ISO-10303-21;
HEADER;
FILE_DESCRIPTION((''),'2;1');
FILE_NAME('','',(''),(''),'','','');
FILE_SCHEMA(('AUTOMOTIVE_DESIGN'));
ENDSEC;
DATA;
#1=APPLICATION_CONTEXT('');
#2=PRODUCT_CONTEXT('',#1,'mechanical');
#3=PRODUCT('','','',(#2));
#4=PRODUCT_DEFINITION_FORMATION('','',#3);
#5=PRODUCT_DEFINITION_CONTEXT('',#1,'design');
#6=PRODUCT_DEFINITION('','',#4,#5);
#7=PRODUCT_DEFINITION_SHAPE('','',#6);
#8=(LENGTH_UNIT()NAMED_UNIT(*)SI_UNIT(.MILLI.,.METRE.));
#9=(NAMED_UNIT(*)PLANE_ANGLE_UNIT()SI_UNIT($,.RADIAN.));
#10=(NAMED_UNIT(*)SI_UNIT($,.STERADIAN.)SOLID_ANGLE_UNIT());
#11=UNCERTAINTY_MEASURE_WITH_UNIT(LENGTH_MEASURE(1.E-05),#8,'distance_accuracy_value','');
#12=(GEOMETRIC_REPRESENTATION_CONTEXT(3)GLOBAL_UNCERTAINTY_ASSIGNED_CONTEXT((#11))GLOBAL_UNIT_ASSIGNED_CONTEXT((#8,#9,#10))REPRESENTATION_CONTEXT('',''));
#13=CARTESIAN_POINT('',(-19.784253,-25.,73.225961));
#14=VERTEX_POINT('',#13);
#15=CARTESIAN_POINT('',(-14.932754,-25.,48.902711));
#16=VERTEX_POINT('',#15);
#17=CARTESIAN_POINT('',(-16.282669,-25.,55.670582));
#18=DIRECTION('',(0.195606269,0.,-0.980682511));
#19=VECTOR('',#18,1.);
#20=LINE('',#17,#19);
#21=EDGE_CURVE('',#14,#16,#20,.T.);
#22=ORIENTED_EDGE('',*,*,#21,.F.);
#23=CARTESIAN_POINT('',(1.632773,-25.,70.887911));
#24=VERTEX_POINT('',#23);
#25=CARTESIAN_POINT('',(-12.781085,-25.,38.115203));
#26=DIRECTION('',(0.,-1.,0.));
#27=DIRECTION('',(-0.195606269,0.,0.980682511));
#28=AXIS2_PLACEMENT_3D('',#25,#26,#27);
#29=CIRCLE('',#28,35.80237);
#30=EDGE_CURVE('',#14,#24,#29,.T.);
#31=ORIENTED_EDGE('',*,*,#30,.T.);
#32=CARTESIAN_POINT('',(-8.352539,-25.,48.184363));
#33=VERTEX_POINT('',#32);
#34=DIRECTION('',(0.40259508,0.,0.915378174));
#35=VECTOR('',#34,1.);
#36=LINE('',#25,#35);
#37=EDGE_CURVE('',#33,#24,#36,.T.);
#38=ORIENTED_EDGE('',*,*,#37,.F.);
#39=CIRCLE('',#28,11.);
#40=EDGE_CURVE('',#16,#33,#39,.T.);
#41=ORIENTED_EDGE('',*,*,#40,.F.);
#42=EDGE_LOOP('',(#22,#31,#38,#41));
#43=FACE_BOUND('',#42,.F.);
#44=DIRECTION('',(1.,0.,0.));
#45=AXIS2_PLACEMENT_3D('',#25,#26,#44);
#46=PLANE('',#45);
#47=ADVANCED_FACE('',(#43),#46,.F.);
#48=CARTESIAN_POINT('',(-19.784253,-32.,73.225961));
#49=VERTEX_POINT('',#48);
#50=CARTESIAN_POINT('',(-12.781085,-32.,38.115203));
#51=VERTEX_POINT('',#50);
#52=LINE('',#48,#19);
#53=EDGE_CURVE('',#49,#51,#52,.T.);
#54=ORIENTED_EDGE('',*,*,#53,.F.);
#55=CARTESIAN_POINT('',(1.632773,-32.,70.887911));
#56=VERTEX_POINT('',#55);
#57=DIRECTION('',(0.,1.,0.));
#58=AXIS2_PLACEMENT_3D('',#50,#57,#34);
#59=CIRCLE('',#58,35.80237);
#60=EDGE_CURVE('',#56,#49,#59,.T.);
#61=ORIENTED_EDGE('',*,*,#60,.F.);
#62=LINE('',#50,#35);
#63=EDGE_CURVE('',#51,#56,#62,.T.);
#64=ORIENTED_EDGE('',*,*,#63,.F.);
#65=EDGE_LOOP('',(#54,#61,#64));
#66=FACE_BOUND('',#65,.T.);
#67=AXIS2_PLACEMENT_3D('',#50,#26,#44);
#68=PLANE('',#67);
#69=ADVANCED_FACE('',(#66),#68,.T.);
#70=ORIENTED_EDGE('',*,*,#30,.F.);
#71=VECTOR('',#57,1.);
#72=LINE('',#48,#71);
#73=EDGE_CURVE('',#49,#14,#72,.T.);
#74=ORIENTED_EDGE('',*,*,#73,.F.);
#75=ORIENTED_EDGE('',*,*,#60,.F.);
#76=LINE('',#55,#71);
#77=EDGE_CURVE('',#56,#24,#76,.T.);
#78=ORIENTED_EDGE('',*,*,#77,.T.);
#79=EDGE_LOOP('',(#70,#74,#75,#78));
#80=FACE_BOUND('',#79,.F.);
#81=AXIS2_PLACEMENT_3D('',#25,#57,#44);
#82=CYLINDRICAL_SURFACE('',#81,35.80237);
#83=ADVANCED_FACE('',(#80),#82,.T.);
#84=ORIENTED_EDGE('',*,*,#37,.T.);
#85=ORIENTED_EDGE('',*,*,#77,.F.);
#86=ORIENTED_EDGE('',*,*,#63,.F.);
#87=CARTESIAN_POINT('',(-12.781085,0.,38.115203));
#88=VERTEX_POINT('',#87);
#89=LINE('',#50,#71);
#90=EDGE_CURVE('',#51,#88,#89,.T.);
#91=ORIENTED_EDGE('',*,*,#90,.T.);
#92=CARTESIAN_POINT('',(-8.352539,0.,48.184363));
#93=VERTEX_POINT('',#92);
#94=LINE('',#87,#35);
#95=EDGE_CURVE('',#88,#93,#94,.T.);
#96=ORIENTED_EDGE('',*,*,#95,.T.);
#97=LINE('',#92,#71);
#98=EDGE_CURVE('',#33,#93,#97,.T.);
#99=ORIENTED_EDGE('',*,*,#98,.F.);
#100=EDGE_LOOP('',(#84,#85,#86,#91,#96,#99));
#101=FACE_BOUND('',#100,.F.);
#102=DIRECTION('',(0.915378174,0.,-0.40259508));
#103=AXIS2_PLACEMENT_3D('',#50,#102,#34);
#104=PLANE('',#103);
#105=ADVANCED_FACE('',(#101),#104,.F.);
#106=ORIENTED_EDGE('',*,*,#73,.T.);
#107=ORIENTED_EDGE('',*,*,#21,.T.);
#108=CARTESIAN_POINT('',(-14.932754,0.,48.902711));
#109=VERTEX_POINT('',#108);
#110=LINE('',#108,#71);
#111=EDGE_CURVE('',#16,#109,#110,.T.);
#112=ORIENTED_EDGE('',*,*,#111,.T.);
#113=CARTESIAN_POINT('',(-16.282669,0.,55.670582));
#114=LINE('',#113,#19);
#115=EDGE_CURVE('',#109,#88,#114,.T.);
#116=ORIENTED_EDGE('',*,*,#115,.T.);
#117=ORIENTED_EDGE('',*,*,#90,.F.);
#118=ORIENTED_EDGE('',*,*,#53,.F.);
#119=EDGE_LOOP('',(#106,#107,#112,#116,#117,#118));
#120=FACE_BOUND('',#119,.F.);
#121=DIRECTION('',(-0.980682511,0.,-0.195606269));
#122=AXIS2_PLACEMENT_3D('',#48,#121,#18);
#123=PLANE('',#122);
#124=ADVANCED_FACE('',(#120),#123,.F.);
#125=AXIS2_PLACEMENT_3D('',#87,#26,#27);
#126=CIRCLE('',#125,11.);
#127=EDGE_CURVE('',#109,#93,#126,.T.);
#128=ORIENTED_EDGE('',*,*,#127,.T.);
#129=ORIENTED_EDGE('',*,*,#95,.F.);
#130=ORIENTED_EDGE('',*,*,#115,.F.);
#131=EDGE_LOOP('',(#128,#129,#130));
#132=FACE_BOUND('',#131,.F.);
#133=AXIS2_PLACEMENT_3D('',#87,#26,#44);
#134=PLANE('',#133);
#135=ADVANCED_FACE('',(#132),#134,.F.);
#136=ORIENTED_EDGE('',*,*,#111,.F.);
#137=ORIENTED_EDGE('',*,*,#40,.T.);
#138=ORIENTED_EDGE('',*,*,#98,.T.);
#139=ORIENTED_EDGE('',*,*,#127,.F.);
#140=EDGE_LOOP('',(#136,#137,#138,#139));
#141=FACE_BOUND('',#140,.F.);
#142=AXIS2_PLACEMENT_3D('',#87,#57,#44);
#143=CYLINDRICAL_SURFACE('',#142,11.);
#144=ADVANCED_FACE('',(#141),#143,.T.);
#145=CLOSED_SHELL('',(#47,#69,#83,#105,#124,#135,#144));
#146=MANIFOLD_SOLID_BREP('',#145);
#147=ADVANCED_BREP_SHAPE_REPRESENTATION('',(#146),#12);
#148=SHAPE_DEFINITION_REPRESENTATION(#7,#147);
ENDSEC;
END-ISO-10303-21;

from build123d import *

# Parameters (mm, degrees)
F0_R     = 11
F1_DEPTH = 25
F2_R     = 35.80237
F3_DEPTH = 7
F5_DEPTH = 32.001


with BuildPart() as f1:
    # F0 (on Front) → F1 (new body)
    with BuildSketch(Plane.XZ):
        with Locations((-12.781085, 38.115203)):
            Circle(F0_R)
    extrude(amount=F1_DEPTH)

    # F2 (on face) → F3 (join)
    with BuildSketch(Plane.XZ.offset(25)):
        with Locations((-12.781085, 38.115203)):
            Circle(F2_R)
    extrude(amount=F3_DEPTH)

    # F4 (on face) → F5 (cut, through all)
    with BuildSketch(Plane.XZ.offset(32)):
        Polygon((-7.421601, 82.684956), (-19.784253, 73.225961), (-12.781085, 38.115203), (1.632773, 70.887911), align=None)
    extrude(amount=-F5_DEPTH, mode=Mode.SUBTRACT)


solid = f1.part
